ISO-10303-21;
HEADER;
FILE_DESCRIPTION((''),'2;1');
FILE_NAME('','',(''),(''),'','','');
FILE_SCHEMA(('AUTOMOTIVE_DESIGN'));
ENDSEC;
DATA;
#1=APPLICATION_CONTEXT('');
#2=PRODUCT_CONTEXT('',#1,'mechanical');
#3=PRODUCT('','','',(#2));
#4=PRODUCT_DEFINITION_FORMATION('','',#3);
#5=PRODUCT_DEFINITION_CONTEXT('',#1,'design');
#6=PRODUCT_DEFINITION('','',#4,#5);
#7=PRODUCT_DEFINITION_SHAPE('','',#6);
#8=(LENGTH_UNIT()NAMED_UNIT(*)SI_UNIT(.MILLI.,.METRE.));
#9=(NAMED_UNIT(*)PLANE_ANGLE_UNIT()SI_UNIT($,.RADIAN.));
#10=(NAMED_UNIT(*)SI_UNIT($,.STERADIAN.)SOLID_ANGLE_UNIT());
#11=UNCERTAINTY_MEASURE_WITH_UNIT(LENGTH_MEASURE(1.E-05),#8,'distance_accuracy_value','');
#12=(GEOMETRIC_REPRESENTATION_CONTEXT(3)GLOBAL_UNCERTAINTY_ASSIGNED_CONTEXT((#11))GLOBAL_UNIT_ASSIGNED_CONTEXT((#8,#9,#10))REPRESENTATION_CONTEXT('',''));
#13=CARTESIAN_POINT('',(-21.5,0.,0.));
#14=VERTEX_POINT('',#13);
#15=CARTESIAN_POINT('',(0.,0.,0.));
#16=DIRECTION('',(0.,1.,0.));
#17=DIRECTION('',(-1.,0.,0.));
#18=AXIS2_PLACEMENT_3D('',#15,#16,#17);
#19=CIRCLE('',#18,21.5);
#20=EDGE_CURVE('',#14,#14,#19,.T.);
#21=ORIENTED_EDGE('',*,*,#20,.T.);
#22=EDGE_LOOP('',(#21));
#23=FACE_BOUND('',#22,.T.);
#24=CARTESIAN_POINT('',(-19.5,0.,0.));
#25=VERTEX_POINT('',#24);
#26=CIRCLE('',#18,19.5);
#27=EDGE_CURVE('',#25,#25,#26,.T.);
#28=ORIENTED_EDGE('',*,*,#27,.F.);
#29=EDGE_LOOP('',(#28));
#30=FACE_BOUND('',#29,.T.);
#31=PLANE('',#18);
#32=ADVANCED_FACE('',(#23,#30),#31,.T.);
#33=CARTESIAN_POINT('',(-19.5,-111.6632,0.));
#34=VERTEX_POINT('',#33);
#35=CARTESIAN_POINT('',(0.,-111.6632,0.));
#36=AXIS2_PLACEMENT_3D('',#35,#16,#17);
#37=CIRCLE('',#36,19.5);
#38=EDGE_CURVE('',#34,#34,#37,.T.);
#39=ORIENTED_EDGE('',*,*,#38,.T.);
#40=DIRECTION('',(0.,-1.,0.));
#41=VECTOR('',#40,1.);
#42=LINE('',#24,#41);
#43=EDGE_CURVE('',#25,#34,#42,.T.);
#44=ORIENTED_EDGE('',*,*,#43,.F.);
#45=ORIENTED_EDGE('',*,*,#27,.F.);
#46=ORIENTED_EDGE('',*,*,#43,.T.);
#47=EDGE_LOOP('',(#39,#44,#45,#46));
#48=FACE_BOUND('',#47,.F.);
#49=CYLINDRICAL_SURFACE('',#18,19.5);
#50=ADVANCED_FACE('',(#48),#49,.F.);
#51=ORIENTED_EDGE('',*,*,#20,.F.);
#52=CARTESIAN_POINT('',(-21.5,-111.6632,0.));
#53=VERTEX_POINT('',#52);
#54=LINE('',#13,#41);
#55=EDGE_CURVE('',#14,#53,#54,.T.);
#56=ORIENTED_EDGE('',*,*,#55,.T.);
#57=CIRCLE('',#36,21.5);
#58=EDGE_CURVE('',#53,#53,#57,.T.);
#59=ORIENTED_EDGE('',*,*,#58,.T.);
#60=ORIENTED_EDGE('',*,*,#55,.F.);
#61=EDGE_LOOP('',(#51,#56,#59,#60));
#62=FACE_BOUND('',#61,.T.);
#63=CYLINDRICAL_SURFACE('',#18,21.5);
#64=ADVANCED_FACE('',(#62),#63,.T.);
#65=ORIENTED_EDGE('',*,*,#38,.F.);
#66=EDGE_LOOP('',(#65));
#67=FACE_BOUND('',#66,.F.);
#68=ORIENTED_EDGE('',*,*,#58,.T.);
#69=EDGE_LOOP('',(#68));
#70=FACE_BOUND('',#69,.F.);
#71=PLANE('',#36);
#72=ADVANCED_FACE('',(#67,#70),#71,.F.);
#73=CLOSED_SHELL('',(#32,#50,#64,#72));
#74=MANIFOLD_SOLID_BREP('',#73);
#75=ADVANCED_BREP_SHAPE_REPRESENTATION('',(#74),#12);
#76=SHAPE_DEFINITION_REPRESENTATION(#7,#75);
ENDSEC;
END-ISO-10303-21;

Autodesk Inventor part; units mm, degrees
ref_plane "YZ Plane" through (0, 0, 0) normal (1, 0, 0) x (0, 1, 0)
ref_plane "XZ Plane" through (0, 0, 0) normal (0, 1, 0) x (-1, 0, 0)
ref_plane "XY Plane" through (0, 0, 0) normal (0, 0, 1) x (1, 0, 0)
sketch "Sketch1" plane through (0, 0, 0) normal (0, 1, 0) x (-1, 0, 0)
  circle A0 centre (0, 0) radius 19.5
  circle A1 centre (0, 0) radius 21.5
  dimension "d1" = 2
  dimension "d4" = 39
extrude "Extrusion1" add sketch "Sketch1" along normal blind -111.6632
properties part number "CF70_nipple_Membrane" material "Stainless Steel, 440C"
